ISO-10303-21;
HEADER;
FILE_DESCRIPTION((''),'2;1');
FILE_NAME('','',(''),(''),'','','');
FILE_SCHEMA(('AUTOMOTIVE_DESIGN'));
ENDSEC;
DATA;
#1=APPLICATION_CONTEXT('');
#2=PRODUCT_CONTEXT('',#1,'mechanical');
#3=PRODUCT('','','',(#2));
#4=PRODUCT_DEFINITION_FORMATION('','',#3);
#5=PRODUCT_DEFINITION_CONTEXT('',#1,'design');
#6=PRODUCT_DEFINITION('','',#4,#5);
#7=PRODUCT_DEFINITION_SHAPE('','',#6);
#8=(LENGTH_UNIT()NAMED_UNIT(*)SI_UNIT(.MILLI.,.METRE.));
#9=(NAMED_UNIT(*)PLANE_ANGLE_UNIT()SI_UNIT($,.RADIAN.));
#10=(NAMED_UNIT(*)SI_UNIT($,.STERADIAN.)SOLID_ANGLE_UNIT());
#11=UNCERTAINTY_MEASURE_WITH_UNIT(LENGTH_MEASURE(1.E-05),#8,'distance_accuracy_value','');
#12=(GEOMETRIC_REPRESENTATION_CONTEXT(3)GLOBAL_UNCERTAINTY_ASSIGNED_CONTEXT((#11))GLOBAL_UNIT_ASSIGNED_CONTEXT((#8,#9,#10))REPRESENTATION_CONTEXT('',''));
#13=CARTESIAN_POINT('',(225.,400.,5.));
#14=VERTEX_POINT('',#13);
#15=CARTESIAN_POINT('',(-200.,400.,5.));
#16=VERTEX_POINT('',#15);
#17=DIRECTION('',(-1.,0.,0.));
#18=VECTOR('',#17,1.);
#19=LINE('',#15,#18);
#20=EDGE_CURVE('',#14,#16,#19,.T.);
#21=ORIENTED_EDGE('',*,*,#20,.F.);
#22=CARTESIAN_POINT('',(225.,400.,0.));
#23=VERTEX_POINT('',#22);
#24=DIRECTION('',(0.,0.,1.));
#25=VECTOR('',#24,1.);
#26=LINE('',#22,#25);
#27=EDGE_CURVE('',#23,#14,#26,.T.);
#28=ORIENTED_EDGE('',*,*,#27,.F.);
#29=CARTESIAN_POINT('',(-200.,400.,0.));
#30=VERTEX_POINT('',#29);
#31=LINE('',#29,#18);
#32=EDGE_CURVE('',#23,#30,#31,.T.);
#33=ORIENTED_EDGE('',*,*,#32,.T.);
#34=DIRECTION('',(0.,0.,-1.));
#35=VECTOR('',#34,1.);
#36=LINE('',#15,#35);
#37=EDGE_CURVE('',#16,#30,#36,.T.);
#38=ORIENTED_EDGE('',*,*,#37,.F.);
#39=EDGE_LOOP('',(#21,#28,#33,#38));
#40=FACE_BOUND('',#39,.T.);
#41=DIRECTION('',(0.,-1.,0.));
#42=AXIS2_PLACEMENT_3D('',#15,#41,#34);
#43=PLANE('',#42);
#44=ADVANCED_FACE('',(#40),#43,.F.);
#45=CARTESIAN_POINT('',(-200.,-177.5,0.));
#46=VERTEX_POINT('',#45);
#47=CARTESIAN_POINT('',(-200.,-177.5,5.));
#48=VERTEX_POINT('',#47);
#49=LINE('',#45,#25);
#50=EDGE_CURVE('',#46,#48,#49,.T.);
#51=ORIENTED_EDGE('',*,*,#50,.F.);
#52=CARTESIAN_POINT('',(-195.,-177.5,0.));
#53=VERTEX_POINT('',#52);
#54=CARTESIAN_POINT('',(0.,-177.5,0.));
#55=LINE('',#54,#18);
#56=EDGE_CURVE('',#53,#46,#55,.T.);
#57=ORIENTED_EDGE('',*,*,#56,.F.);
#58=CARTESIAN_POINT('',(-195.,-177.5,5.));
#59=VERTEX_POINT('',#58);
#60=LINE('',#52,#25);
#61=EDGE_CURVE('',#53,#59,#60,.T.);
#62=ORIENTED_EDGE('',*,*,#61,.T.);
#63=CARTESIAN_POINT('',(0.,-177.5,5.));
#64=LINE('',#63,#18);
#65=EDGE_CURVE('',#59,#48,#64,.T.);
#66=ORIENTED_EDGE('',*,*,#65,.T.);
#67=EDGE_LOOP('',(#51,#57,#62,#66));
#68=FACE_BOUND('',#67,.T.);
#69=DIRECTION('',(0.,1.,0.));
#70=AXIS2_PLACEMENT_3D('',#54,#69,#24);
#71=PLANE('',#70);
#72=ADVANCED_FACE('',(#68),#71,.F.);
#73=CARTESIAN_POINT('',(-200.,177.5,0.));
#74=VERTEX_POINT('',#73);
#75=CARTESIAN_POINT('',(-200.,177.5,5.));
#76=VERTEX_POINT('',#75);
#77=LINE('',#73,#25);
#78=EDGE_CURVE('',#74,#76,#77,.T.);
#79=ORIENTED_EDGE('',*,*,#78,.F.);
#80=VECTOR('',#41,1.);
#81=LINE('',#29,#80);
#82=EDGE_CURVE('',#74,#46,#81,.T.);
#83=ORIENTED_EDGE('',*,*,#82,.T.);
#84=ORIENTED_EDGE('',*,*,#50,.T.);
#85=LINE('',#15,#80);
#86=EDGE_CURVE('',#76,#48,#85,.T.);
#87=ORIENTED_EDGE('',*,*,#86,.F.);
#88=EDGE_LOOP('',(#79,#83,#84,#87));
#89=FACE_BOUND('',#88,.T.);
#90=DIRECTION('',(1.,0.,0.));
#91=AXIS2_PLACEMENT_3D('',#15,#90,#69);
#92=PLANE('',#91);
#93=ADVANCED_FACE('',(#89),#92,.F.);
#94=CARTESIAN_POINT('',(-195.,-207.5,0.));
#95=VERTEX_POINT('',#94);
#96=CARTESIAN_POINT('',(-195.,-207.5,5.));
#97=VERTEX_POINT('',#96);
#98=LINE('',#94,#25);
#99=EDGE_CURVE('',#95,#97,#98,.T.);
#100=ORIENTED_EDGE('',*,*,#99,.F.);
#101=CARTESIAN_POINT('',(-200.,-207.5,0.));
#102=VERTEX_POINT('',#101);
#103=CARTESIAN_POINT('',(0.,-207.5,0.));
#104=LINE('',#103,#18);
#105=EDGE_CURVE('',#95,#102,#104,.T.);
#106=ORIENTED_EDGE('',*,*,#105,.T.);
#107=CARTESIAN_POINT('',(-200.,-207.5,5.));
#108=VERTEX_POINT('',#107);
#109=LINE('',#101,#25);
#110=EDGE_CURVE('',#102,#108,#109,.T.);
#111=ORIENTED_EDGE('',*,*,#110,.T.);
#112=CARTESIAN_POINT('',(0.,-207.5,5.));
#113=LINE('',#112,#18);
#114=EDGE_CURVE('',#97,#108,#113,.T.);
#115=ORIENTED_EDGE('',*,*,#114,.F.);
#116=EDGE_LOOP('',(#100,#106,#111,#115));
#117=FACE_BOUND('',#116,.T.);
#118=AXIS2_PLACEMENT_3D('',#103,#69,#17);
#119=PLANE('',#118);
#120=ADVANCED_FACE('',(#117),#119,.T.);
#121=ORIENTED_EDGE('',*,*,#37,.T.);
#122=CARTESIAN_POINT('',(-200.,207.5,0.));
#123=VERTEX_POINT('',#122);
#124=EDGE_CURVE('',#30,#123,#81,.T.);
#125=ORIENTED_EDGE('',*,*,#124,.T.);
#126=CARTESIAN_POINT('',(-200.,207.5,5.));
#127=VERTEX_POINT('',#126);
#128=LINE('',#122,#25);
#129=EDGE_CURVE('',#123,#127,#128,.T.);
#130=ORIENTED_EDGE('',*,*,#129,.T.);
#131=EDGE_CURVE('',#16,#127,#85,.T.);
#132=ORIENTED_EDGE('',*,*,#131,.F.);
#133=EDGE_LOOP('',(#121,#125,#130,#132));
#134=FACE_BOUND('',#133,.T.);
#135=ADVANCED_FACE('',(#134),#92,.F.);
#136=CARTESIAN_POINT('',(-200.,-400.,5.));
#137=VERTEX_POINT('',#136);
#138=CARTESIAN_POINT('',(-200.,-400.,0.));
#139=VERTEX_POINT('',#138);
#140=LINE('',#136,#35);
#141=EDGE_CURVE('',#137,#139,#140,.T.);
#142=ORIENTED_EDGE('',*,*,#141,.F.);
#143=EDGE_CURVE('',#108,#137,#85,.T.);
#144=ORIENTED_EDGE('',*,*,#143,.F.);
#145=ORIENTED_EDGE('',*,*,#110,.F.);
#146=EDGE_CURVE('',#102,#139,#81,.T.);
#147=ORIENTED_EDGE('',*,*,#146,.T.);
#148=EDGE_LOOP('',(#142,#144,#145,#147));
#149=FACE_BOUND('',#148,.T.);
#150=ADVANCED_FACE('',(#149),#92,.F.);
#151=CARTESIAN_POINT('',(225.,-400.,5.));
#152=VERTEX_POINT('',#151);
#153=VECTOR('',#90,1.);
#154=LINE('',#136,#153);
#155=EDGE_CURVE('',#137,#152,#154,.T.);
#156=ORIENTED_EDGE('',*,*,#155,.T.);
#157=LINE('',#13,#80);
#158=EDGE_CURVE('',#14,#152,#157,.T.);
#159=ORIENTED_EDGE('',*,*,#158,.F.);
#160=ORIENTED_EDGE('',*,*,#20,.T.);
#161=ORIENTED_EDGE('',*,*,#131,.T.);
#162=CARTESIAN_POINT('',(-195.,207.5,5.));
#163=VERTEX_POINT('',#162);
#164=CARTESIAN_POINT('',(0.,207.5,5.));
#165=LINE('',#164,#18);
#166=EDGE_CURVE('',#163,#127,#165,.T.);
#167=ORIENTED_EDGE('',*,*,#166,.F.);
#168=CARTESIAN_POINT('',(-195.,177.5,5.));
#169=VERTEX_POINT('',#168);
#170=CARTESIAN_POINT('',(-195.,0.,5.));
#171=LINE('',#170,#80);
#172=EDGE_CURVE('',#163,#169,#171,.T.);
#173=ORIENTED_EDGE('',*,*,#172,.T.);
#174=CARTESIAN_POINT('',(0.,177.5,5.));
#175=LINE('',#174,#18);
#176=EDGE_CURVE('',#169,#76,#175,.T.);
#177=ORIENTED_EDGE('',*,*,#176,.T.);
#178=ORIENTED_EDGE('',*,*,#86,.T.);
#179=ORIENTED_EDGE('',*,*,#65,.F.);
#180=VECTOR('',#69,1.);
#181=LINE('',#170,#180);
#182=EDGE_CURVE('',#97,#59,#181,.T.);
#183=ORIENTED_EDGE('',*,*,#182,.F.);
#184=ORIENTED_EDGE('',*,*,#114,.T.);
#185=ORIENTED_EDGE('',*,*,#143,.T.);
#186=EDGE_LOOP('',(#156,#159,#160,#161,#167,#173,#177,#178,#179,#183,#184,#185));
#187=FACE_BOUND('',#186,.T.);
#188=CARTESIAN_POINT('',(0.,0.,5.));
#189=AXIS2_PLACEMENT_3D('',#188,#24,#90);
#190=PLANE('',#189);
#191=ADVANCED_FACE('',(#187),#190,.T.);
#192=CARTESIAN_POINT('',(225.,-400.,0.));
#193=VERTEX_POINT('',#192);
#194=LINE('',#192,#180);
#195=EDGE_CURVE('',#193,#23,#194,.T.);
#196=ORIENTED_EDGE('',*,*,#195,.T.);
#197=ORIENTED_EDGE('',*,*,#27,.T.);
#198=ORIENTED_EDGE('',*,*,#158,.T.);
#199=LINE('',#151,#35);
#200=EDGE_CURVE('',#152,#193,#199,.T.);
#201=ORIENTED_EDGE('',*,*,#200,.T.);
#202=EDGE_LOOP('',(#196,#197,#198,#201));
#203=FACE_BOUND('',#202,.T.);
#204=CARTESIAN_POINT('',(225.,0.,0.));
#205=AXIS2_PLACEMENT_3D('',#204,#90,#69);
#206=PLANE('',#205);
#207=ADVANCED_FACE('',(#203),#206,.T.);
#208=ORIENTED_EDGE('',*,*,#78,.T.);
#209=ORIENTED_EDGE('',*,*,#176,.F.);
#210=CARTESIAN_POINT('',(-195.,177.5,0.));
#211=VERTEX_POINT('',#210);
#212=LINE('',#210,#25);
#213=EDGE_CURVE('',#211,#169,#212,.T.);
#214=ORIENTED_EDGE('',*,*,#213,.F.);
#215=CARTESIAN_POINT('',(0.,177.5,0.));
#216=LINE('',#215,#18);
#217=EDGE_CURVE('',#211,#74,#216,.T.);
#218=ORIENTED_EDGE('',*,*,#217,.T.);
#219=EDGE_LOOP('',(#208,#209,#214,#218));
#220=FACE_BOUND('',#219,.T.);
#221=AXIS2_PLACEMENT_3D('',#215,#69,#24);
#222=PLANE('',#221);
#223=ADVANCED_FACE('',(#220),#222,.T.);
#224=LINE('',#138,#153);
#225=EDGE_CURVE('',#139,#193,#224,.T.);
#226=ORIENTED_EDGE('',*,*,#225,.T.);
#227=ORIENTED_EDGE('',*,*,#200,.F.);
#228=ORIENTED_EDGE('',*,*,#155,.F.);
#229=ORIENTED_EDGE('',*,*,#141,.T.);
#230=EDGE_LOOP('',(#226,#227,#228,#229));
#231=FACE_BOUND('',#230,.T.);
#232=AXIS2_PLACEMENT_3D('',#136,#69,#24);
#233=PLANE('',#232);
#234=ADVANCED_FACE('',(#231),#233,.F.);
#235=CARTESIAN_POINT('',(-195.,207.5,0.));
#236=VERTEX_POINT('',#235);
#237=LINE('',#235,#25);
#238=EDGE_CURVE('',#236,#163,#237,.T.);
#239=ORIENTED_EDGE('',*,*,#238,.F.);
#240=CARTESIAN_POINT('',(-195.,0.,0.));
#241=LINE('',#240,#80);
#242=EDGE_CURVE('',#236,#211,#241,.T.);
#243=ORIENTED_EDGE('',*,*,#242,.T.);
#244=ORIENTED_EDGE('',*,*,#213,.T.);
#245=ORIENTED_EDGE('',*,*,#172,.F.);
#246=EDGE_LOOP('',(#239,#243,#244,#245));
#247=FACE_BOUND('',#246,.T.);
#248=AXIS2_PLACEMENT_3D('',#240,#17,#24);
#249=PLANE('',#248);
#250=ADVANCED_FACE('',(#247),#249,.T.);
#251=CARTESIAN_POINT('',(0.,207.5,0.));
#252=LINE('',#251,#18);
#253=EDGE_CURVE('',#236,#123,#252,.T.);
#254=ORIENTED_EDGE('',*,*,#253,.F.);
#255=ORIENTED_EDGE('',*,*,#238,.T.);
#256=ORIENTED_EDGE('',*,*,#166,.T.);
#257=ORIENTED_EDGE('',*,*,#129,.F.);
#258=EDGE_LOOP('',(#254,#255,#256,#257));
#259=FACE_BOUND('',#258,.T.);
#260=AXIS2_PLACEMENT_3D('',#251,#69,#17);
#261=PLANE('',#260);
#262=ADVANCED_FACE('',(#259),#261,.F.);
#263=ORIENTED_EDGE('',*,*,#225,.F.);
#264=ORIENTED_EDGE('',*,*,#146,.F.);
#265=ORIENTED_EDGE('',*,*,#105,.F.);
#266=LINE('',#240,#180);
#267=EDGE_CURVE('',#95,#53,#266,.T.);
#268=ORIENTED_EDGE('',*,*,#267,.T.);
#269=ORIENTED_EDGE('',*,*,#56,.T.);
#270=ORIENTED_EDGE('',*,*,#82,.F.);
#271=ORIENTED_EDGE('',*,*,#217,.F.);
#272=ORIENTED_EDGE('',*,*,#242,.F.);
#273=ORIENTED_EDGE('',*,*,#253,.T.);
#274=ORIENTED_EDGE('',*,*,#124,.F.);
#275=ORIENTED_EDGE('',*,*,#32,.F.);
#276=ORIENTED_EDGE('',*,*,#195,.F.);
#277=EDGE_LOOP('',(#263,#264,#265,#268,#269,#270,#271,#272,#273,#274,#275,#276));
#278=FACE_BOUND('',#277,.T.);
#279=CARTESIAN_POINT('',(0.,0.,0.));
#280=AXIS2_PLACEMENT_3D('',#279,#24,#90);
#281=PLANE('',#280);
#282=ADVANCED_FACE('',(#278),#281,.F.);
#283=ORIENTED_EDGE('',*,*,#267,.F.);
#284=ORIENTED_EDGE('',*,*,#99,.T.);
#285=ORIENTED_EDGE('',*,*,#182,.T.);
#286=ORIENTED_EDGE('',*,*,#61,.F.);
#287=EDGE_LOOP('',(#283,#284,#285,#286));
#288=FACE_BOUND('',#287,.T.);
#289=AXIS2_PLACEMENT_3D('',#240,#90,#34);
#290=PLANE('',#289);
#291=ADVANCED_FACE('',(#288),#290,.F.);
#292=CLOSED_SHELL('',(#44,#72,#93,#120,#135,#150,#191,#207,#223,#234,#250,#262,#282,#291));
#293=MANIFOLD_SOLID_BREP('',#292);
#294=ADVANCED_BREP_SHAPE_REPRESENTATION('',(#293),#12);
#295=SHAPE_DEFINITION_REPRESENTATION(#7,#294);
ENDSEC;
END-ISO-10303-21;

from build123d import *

# Parameters (mm, degrees)
ESQUISSE1_W             = 400
ESQUISSE1_H             = 800
BOSS_EXTRU_1_DEPTH      = 5
ESQUISSE2_W             = 5
ESQUISSE2_H             = 30
ENL_V_MAT_EXTRU_1_DEPTH = 5
ESQUISSE3_W             = 5
ESQUISSE3_H             = 800
BOSS_EXTRU_2_DEPTH      = 25


with BuildPart() as part:
    # Esquisse1 → Boss.-Extru.1 (new body)
    with BuildSketch(Plane.XY):
        Rectangle(ESQUISSE1_W, ESQUISSE1_H)
    extrude(amount=BOSS_EXTRU_1_DEPTH)

    # Esquisse2 → Enlèv. mat.-Extru.1 (cut)
    with BuildSketch(Plane.XY.offset(5)):
        with Locations((-197.5, 192.5)):
            Rectangle(ESQUISSE2_W, ESQUISSE2_H)
        with Locations((-197.5, -192.5)):
            Rectangle(ESQUISSE2_W, ESQUISSE2_H)
    extrude(amount=-ENL_V_MAT_EXTRU_1_DEPTH, mode=Mode.SUBTRACT)

    # Esquisse3 → Boss.-Extru.2 (add)
    with BuildSketch(Plane(origin=(200, 0, 0), x_dir=(0, 0, -1), z_dir=(1, 0, 0))):
        with Locations((-2.5, 0)):
            Rectangle(ESQUISSE3_W, ESQUISSE3_H)
    extrude(amount=BOSS_EXTRU_2_DEPTH)


solid = part.part
